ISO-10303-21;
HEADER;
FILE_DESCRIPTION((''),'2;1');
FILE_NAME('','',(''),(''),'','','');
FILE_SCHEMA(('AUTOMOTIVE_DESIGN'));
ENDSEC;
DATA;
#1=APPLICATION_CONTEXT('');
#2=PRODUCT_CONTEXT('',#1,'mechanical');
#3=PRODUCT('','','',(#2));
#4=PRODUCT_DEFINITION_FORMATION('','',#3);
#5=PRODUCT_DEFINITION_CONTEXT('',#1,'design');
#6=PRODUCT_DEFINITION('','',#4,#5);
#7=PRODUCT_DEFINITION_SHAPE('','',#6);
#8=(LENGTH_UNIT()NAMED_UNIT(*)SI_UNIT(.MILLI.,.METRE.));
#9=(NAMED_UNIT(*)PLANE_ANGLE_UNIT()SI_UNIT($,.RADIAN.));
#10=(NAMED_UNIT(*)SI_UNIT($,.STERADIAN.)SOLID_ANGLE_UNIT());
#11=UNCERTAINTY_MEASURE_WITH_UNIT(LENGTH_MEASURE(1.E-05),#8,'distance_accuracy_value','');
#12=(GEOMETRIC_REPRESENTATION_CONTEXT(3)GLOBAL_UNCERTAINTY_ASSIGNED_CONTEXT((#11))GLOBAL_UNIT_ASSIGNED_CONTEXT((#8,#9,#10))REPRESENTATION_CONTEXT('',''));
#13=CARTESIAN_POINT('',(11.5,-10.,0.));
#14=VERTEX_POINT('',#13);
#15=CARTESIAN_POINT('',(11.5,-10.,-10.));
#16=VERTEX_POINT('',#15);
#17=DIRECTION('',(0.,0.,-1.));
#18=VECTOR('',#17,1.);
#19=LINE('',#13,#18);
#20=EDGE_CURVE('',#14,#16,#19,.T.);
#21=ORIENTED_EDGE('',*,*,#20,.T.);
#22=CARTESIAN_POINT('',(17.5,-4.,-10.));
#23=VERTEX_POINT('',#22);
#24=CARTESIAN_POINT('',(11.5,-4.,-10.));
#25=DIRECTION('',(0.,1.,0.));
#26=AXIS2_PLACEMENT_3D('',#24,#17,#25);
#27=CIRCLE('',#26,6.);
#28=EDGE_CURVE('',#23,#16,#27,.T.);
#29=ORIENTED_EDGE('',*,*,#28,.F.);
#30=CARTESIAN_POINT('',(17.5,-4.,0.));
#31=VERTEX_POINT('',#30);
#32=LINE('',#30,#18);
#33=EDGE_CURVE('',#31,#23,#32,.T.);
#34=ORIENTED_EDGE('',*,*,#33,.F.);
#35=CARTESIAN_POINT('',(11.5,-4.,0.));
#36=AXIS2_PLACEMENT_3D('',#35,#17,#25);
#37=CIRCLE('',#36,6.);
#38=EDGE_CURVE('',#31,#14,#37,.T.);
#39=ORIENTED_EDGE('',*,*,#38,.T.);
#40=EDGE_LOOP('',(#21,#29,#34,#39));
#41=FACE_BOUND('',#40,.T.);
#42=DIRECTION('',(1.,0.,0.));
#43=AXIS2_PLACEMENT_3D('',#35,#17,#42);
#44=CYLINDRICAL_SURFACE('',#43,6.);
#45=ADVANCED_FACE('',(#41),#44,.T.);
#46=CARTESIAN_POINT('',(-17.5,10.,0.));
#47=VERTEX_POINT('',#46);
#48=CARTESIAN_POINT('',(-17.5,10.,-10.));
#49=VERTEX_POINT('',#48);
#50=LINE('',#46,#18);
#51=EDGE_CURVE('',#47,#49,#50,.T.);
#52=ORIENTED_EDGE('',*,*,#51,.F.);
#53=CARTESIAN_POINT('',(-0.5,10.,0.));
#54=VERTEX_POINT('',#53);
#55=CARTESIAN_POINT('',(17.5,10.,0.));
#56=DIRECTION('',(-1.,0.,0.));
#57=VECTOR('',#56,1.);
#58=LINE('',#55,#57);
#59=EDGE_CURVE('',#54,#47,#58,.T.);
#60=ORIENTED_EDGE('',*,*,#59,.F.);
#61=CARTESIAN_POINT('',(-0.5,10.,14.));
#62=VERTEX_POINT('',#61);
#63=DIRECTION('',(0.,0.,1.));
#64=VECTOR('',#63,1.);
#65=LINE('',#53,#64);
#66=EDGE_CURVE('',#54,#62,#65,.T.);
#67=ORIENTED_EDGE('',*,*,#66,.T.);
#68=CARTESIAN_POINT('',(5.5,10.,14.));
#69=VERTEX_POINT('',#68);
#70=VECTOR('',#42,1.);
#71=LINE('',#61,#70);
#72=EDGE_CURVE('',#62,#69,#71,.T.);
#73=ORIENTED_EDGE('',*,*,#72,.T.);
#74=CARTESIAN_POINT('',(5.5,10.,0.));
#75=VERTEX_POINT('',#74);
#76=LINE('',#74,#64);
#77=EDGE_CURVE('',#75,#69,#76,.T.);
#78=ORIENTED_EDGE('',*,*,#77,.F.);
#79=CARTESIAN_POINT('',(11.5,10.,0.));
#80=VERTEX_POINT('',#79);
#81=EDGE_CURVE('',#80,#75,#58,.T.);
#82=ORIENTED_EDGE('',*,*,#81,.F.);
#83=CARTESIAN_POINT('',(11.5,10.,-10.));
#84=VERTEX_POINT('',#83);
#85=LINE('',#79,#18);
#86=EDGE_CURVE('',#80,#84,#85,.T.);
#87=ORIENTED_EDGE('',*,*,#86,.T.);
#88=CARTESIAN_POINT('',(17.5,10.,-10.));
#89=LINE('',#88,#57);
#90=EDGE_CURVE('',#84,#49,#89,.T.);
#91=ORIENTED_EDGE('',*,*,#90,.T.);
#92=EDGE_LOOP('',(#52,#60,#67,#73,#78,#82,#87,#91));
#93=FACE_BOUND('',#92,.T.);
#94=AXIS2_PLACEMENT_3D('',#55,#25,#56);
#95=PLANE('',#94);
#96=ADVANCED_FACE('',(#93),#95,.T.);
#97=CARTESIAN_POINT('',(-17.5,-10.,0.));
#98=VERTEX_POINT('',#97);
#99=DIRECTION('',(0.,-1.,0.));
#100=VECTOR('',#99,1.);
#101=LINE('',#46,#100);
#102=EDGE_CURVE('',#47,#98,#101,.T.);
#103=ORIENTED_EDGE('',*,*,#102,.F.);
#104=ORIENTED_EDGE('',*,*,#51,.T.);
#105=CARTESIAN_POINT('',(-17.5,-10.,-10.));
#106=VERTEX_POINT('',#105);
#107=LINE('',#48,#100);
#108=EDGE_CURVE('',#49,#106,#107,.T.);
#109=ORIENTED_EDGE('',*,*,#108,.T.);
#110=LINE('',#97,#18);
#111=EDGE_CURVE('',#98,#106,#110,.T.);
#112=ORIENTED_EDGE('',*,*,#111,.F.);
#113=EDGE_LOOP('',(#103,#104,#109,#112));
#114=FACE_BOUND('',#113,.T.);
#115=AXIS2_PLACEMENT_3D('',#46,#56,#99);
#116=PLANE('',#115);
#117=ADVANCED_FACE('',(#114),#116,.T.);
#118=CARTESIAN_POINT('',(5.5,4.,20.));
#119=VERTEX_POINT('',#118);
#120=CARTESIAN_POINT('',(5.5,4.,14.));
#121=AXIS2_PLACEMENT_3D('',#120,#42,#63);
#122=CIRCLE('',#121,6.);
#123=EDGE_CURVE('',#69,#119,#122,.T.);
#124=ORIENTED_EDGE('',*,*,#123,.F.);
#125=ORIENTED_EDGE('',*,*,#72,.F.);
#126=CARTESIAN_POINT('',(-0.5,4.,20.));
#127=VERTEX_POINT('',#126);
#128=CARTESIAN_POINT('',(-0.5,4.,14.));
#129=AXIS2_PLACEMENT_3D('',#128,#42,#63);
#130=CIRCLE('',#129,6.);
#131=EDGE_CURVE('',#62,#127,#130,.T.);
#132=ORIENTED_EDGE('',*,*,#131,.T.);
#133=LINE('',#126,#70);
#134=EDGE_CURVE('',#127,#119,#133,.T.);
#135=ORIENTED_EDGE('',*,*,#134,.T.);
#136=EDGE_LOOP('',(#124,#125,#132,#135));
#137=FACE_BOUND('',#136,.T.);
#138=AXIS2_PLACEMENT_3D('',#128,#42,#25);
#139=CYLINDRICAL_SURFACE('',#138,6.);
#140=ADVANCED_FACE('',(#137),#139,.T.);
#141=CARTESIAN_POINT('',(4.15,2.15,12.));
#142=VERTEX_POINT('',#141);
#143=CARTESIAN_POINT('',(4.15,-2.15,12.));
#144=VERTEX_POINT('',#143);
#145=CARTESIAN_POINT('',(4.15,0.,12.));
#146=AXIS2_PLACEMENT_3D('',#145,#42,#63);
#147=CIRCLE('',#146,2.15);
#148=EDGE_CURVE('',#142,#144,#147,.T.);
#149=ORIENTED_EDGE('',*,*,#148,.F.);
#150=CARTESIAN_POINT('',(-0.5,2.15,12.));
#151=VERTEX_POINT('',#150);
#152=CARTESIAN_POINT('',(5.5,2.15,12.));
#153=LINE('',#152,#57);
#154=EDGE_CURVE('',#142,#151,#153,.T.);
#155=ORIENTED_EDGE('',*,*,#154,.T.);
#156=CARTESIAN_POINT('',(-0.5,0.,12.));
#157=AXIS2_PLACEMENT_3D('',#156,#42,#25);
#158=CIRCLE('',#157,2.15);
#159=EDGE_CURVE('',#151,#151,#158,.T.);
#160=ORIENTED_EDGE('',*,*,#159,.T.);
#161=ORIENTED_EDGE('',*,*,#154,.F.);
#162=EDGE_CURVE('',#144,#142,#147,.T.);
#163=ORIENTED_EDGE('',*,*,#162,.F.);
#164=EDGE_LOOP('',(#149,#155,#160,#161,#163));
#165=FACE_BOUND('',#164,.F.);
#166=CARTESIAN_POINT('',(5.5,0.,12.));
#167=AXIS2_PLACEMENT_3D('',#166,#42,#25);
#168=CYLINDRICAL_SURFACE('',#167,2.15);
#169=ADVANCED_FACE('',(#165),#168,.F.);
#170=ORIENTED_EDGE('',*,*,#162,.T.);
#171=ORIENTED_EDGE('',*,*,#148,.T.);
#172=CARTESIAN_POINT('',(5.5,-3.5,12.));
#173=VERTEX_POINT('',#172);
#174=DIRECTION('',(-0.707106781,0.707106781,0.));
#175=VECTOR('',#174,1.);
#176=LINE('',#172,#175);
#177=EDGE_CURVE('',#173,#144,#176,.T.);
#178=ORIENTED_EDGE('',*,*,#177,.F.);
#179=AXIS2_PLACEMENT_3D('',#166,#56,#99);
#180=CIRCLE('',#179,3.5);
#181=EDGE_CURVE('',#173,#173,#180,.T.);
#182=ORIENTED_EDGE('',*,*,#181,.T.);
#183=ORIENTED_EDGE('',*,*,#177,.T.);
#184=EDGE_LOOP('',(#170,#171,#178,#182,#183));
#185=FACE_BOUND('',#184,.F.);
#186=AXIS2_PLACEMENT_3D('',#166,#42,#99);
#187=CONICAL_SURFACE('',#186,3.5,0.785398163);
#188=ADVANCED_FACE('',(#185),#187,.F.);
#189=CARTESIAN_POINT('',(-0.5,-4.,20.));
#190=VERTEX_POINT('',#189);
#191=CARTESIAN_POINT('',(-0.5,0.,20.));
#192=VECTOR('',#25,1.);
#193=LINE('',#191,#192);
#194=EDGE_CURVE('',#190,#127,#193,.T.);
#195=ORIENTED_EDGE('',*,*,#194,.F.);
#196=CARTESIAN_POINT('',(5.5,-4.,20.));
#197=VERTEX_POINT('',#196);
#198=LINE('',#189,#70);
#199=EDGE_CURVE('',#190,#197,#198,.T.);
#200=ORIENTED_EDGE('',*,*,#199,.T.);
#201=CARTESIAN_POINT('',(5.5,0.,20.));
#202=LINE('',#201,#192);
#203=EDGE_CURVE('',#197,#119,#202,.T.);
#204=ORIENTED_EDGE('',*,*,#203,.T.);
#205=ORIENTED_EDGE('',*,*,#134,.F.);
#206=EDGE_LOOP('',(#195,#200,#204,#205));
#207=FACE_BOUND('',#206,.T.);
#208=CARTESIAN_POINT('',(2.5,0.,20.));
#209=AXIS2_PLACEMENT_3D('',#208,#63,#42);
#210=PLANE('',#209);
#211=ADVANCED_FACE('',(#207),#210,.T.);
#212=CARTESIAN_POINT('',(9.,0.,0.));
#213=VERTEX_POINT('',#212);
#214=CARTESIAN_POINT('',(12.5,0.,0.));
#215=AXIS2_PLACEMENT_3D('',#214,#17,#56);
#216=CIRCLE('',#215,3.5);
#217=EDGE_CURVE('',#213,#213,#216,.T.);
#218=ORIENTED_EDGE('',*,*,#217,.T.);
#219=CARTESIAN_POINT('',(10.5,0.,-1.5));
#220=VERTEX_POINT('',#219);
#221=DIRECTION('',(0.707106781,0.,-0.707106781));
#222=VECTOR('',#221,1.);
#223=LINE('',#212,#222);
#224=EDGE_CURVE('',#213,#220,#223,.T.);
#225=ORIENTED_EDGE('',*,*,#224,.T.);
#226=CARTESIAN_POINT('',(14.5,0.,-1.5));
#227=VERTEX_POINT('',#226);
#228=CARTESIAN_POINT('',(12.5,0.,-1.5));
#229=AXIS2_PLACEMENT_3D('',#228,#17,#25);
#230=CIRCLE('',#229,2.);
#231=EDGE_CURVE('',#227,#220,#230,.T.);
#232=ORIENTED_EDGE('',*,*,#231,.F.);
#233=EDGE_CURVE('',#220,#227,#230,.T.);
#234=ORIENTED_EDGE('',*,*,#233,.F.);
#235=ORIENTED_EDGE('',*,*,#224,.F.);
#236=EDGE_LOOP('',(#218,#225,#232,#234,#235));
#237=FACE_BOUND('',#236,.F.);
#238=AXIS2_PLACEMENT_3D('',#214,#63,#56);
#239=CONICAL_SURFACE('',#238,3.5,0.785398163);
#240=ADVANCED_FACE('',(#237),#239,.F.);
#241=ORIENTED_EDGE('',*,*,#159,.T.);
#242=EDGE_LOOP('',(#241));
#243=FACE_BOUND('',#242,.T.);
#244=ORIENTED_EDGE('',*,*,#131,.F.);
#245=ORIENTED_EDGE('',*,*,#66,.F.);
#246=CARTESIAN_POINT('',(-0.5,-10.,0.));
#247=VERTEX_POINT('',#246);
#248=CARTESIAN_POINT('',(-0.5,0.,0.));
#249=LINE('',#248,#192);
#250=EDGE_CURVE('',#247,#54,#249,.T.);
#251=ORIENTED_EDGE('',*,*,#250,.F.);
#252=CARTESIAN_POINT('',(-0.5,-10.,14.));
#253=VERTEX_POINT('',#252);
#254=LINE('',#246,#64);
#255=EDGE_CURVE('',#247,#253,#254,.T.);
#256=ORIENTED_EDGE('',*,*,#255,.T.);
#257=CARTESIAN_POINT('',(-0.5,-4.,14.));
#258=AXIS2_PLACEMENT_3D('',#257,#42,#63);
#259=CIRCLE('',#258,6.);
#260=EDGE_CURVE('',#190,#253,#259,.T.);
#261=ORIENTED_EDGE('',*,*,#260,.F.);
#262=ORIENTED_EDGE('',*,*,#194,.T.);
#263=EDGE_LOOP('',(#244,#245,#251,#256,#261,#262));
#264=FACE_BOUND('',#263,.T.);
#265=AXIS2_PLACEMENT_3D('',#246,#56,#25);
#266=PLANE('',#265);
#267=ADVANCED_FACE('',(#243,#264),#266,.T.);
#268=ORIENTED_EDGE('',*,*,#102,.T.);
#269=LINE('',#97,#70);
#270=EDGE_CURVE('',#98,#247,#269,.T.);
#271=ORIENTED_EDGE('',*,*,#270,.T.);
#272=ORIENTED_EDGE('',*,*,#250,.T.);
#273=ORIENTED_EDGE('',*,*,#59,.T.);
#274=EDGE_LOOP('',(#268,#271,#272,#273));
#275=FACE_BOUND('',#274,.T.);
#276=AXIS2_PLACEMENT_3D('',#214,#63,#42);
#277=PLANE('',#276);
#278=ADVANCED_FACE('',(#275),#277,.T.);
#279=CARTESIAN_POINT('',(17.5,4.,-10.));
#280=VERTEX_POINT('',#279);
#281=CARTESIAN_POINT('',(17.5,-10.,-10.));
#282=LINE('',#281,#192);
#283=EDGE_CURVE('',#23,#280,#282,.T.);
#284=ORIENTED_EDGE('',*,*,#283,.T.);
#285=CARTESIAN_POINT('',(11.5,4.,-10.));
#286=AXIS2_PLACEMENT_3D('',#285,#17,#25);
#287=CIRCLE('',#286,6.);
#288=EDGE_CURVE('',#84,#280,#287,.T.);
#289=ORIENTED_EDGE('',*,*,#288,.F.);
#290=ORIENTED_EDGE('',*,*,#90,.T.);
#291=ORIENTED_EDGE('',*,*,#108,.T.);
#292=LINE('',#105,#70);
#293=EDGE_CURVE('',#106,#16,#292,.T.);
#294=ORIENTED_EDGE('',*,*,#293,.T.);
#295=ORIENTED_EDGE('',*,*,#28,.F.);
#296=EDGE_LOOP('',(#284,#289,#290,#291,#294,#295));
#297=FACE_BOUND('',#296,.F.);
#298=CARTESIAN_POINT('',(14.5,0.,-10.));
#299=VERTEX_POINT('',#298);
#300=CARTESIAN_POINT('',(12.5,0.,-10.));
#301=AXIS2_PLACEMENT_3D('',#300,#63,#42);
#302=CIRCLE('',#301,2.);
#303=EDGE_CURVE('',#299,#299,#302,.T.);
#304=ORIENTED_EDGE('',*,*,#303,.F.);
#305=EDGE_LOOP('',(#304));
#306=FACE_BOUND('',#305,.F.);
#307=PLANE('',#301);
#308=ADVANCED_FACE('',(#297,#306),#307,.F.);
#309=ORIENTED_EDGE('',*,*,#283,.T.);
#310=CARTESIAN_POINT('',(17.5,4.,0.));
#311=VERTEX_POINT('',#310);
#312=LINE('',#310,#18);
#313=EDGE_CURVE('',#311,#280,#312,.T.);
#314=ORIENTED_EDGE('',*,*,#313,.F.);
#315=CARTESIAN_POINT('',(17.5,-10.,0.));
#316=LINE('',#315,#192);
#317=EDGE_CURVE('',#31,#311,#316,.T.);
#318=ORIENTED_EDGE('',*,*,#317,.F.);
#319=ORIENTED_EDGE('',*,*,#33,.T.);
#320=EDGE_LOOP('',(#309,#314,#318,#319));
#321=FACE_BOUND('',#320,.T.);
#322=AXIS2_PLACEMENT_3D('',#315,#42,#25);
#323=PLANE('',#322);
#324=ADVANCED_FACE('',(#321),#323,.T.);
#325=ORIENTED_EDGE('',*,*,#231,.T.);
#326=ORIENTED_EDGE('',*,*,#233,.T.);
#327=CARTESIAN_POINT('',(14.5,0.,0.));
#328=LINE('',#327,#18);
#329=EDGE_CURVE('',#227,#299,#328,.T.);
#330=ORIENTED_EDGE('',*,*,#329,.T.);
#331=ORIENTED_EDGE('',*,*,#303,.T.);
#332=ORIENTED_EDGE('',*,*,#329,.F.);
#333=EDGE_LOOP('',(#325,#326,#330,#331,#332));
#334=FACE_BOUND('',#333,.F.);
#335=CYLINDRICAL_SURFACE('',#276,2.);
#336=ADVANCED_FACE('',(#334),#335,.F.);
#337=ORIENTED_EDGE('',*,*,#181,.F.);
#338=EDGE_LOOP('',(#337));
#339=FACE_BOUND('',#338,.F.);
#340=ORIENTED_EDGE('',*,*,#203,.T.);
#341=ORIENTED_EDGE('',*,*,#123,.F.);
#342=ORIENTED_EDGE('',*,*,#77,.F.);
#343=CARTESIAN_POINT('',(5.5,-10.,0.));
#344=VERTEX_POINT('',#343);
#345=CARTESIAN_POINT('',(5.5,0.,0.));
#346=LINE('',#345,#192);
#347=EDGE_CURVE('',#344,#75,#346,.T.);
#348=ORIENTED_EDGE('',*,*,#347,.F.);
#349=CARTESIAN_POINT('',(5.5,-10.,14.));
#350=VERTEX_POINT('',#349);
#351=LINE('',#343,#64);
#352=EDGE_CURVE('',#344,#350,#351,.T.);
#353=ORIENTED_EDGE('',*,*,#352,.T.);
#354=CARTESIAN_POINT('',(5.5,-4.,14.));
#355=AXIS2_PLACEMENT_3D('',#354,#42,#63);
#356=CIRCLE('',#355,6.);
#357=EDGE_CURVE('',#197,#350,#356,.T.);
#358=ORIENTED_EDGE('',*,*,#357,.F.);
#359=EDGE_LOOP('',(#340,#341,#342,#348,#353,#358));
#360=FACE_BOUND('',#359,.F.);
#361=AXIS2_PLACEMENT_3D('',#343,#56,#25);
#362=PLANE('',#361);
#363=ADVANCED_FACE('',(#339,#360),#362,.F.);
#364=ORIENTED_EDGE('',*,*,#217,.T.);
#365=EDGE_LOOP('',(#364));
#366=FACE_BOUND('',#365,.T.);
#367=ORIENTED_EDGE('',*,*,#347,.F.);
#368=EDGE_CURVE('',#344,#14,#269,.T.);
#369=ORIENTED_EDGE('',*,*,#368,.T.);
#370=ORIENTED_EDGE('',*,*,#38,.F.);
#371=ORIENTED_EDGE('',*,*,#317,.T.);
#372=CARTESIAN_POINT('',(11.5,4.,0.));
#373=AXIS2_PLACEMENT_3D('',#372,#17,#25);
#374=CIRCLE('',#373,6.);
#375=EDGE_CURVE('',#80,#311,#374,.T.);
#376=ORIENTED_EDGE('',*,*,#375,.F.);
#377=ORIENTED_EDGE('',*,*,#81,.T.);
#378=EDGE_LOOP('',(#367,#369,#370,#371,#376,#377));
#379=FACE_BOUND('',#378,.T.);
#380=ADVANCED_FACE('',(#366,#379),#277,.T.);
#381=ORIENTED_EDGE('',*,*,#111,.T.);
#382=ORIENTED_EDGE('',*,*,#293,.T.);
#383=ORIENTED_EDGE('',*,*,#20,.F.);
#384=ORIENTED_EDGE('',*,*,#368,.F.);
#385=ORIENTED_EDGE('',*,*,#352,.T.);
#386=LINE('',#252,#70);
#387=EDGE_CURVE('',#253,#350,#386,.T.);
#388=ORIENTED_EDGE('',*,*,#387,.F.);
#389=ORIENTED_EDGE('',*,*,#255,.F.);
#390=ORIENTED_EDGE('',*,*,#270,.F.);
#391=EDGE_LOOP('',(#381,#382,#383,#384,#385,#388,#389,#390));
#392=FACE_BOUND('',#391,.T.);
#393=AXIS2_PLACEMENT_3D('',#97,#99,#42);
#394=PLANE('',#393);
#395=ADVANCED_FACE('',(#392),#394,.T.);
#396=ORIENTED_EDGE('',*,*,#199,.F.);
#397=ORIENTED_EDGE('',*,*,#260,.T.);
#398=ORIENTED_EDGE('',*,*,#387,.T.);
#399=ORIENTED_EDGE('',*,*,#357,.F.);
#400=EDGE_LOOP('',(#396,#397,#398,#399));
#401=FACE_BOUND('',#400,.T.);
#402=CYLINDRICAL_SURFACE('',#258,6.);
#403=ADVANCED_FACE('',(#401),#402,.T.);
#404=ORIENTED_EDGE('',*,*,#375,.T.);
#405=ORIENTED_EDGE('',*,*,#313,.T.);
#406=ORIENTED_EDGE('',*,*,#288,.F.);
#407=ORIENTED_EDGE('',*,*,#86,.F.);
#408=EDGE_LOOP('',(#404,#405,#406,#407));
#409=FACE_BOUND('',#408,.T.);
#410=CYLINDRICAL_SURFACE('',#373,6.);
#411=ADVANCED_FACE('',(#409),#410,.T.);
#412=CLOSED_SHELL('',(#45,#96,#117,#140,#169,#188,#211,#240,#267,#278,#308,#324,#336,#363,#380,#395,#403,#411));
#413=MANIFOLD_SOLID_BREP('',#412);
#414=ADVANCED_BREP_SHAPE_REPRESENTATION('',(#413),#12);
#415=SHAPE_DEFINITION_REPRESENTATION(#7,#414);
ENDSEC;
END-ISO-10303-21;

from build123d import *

# Parameters (mm, degrees)
F0_R            = 2
F1_DEPTH        = 10
F2_W            = 6
F2_H            = 20
F3_DEPTH        = 20
F4_R            = 2.15
F5_DEPTH        = 25
F6_R            = 6
F8_D            = 4
F8_DEPTH        = 7
F8_CSINK_D      = 7
F8_CSINK_ANGLE  = 90
F10_D           = 4
F10_DEPTH       = 12
F10_CSINK_D     = 7
F10_CSINK_ANGLE = 90


with BuildPart() as f1:
    # F0 (on Top) → F1 (new body)
    with BuildSketch(Plane.XY):
        with Locations((12.5, 0)):
            Circle(F0_R)
        Polygon((17.5, 0), (17.5, 10), (-17.5, 10), (-17.5, -10), (17.5, -10), align=None)
        with Locations((12.5, 0)):
            Circle(F0_R, mode=Mode.SUBTRACT)
    extrude(amount=-F1_DEPTH)

    # F2 (on face) → F3 (join)
    with BuildSketch(Plane.XY):
        with Locations((2.5, 0)):
            Rectangle(F2_W, F2_H)
    extrude(amount=F3_DEPTH)

    # F4 (on face) → F5 (cut)
    with BuildSketch(Plane.YZ.offset(5.5)):
        with Locations((0, 12)):
            Circle(F4_R)
    extrude(amount=-F5_DEPTH, mode=Mode.SUBTRACT)

    # F6
    f6_edges = [f1.edges().sort_by_distance(p)[0] for p in [
        (2.5, -10, 20),
        (2.5, 10, 20),
        (17.5, 10, -5),
        (17.5, -10, -5),
    ]]
    fillet(f6_edges, radius=F6_R)

    # F8
    with Locations(Plane.YZ.offset(5.5)):
        with Locations((0, 12)):
            CounterSinkHole(F8_D / 2, F8_CSINK_D / 2, depth=F8_DEPTH, counter_sink_angle=F8_CSINK_ANGLE)

    # F10
    with Locations(Plane.XY):
        with Locations((12.5, 0)):
            CounterSinkHole(F10_D / 2, F10_CSINK_D / 2, depth=F10_DEPTH, counter_sink_angle=F10_CSINK_ANGLE)


solid = f1.part
